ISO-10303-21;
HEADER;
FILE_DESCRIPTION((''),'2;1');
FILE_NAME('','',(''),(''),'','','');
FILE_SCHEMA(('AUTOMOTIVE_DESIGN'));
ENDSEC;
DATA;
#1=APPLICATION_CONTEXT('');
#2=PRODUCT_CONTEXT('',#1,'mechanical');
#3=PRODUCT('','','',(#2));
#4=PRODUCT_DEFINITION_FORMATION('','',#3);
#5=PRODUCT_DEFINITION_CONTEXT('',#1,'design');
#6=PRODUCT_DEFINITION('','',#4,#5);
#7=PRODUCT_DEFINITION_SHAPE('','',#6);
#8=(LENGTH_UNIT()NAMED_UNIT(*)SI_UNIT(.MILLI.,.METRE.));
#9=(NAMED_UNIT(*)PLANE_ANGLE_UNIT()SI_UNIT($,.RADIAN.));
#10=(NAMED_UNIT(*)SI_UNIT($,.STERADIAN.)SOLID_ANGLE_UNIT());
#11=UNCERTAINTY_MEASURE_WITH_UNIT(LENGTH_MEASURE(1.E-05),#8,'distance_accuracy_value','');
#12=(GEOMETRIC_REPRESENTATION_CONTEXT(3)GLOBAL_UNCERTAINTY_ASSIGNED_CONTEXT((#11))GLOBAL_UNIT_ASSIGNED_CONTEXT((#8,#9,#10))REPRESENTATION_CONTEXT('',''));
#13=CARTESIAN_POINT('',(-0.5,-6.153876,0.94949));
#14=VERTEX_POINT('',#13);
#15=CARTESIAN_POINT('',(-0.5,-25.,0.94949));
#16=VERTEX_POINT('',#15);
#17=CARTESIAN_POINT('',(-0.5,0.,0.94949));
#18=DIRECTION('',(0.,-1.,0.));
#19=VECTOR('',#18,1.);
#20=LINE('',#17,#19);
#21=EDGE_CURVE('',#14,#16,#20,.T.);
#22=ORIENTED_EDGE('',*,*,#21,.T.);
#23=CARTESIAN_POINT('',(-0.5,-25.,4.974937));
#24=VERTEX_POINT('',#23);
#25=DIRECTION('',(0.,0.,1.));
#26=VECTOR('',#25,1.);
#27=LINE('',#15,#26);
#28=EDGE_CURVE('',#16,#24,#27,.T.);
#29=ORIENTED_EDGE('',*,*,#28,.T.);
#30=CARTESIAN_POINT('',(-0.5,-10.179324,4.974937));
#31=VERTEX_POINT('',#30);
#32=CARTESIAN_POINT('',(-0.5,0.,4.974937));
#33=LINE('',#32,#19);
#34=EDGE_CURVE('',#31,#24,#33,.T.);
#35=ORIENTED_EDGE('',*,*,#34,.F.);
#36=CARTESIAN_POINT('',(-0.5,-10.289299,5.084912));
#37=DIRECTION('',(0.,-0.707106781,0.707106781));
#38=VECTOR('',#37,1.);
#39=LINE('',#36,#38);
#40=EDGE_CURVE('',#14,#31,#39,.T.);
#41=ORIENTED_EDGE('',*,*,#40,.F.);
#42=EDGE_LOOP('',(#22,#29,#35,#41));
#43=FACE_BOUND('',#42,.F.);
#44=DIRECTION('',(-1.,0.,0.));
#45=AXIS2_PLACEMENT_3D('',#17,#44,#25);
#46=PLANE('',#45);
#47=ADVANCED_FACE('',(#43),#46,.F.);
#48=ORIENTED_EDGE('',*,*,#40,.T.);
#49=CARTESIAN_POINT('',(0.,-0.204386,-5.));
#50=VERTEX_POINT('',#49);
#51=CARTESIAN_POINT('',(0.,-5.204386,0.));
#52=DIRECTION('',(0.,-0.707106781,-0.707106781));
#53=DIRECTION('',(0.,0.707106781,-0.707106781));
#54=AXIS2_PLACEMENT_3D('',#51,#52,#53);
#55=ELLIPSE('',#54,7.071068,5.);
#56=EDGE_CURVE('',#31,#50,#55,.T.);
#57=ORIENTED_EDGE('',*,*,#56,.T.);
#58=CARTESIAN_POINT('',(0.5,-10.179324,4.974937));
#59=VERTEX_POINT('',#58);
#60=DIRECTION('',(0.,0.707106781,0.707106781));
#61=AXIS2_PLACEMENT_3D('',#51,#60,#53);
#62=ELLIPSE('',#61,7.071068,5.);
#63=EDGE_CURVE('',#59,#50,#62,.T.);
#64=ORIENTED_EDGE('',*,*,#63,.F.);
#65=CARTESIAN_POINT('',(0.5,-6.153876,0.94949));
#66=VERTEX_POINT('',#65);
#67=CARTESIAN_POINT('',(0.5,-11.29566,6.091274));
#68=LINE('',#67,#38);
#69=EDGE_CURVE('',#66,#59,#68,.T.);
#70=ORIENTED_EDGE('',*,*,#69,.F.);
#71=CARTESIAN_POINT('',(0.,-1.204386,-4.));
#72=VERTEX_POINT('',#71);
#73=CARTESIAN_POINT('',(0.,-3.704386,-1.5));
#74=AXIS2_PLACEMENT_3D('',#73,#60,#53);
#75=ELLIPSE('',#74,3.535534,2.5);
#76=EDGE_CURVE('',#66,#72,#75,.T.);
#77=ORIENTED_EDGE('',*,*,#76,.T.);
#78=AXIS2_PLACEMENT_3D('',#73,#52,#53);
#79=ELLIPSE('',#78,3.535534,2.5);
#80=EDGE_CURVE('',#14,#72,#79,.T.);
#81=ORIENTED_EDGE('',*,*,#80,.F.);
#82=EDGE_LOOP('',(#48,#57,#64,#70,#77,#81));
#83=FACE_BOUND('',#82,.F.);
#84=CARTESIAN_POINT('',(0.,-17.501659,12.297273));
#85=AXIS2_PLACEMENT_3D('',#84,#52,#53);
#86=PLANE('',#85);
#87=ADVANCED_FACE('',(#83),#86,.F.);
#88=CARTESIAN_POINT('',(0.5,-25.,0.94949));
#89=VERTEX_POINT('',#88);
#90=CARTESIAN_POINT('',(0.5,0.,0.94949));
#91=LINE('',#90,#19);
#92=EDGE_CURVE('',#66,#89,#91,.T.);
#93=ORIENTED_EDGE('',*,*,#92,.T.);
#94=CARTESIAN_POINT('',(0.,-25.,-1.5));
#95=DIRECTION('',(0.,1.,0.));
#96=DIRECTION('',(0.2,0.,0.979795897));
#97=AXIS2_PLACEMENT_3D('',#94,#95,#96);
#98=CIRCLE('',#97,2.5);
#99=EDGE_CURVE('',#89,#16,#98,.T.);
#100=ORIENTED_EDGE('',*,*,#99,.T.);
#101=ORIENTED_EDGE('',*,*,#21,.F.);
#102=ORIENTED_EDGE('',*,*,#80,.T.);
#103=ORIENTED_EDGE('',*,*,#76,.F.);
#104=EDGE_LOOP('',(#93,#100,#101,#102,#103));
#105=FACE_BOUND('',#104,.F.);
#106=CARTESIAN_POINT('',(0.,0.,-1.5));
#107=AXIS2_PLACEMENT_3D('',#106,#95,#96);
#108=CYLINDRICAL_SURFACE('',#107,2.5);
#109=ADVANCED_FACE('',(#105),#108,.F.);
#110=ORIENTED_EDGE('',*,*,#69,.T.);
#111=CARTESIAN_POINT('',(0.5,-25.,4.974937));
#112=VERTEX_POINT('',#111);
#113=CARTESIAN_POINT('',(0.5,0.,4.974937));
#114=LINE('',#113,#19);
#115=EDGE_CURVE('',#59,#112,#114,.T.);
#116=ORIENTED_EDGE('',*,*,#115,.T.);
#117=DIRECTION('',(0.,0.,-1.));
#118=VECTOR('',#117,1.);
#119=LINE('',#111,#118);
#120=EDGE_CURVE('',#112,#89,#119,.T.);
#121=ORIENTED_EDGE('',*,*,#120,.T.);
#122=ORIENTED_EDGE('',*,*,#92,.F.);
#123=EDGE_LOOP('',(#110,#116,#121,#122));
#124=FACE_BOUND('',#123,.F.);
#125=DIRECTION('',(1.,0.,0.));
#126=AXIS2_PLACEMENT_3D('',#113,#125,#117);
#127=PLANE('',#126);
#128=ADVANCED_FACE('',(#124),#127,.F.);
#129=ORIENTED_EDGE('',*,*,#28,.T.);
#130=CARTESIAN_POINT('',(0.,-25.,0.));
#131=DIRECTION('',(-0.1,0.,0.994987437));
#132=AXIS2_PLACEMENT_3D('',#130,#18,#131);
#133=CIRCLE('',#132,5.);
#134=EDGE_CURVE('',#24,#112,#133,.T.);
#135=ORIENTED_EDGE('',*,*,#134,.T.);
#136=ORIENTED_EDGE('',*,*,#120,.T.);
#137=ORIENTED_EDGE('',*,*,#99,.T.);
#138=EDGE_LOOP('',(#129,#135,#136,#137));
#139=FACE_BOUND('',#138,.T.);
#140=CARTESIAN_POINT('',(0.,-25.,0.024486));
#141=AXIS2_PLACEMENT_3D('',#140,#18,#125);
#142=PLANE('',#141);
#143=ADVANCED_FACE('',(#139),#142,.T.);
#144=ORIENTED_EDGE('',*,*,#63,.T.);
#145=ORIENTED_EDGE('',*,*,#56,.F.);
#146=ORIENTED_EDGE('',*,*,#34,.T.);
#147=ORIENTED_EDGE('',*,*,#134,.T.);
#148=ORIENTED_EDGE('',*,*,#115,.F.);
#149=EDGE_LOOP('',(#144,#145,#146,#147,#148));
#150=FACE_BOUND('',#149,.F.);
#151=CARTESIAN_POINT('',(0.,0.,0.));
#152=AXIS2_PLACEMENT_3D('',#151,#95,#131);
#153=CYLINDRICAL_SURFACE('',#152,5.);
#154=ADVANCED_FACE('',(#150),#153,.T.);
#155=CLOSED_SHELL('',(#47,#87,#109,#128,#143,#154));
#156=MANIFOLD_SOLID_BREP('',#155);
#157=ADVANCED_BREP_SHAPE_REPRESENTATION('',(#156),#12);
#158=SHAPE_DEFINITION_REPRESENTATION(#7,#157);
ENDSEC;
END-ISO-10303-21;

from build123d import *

# Parameters (mm, degrees)
F1_DEPTH      = 25
F3_DEPTH      = 25
F3_DEPTH_BACK = 25


with BuildPart() as f1:
    # F0 (on Front) → F1 (new body)
    with BuildSketch(Plane.XZ):
        with BuildLine():
            Line((-0.5, 0.9494897428), (-0.5, 4.9749371855))
            ThreePointArc((-0.5, 4.9749371855), (0, -5), (0.5, 4.9749371855))
            Line((0.5, 4.9749371855), (0.5, 0.9494897428))
            ThreePointArc((0.5, 0.9494897428), (0, -4), (-0.5, 0.9494897428))
        make_face()
    extrude(amount=F1_DEPTH)

    # F2 (on Right) → F3 (cut, two sides)
    with BuildSketch(Plane.YZ) as f3_sk:
        Polygon((11.2814342175, 12.2972726822), (-17.5016591489, 12.2972726822), (11.2814342175, -16.4858206842), align=None)
    extrude(amount=-F3_DEPTH, mode=Mode.SUBTRACT)
    extrude(f3_sk.sketch, amount=F3_DEPTH_BACK, mode=Mode.SUBTRACT)


solid = f1.part
